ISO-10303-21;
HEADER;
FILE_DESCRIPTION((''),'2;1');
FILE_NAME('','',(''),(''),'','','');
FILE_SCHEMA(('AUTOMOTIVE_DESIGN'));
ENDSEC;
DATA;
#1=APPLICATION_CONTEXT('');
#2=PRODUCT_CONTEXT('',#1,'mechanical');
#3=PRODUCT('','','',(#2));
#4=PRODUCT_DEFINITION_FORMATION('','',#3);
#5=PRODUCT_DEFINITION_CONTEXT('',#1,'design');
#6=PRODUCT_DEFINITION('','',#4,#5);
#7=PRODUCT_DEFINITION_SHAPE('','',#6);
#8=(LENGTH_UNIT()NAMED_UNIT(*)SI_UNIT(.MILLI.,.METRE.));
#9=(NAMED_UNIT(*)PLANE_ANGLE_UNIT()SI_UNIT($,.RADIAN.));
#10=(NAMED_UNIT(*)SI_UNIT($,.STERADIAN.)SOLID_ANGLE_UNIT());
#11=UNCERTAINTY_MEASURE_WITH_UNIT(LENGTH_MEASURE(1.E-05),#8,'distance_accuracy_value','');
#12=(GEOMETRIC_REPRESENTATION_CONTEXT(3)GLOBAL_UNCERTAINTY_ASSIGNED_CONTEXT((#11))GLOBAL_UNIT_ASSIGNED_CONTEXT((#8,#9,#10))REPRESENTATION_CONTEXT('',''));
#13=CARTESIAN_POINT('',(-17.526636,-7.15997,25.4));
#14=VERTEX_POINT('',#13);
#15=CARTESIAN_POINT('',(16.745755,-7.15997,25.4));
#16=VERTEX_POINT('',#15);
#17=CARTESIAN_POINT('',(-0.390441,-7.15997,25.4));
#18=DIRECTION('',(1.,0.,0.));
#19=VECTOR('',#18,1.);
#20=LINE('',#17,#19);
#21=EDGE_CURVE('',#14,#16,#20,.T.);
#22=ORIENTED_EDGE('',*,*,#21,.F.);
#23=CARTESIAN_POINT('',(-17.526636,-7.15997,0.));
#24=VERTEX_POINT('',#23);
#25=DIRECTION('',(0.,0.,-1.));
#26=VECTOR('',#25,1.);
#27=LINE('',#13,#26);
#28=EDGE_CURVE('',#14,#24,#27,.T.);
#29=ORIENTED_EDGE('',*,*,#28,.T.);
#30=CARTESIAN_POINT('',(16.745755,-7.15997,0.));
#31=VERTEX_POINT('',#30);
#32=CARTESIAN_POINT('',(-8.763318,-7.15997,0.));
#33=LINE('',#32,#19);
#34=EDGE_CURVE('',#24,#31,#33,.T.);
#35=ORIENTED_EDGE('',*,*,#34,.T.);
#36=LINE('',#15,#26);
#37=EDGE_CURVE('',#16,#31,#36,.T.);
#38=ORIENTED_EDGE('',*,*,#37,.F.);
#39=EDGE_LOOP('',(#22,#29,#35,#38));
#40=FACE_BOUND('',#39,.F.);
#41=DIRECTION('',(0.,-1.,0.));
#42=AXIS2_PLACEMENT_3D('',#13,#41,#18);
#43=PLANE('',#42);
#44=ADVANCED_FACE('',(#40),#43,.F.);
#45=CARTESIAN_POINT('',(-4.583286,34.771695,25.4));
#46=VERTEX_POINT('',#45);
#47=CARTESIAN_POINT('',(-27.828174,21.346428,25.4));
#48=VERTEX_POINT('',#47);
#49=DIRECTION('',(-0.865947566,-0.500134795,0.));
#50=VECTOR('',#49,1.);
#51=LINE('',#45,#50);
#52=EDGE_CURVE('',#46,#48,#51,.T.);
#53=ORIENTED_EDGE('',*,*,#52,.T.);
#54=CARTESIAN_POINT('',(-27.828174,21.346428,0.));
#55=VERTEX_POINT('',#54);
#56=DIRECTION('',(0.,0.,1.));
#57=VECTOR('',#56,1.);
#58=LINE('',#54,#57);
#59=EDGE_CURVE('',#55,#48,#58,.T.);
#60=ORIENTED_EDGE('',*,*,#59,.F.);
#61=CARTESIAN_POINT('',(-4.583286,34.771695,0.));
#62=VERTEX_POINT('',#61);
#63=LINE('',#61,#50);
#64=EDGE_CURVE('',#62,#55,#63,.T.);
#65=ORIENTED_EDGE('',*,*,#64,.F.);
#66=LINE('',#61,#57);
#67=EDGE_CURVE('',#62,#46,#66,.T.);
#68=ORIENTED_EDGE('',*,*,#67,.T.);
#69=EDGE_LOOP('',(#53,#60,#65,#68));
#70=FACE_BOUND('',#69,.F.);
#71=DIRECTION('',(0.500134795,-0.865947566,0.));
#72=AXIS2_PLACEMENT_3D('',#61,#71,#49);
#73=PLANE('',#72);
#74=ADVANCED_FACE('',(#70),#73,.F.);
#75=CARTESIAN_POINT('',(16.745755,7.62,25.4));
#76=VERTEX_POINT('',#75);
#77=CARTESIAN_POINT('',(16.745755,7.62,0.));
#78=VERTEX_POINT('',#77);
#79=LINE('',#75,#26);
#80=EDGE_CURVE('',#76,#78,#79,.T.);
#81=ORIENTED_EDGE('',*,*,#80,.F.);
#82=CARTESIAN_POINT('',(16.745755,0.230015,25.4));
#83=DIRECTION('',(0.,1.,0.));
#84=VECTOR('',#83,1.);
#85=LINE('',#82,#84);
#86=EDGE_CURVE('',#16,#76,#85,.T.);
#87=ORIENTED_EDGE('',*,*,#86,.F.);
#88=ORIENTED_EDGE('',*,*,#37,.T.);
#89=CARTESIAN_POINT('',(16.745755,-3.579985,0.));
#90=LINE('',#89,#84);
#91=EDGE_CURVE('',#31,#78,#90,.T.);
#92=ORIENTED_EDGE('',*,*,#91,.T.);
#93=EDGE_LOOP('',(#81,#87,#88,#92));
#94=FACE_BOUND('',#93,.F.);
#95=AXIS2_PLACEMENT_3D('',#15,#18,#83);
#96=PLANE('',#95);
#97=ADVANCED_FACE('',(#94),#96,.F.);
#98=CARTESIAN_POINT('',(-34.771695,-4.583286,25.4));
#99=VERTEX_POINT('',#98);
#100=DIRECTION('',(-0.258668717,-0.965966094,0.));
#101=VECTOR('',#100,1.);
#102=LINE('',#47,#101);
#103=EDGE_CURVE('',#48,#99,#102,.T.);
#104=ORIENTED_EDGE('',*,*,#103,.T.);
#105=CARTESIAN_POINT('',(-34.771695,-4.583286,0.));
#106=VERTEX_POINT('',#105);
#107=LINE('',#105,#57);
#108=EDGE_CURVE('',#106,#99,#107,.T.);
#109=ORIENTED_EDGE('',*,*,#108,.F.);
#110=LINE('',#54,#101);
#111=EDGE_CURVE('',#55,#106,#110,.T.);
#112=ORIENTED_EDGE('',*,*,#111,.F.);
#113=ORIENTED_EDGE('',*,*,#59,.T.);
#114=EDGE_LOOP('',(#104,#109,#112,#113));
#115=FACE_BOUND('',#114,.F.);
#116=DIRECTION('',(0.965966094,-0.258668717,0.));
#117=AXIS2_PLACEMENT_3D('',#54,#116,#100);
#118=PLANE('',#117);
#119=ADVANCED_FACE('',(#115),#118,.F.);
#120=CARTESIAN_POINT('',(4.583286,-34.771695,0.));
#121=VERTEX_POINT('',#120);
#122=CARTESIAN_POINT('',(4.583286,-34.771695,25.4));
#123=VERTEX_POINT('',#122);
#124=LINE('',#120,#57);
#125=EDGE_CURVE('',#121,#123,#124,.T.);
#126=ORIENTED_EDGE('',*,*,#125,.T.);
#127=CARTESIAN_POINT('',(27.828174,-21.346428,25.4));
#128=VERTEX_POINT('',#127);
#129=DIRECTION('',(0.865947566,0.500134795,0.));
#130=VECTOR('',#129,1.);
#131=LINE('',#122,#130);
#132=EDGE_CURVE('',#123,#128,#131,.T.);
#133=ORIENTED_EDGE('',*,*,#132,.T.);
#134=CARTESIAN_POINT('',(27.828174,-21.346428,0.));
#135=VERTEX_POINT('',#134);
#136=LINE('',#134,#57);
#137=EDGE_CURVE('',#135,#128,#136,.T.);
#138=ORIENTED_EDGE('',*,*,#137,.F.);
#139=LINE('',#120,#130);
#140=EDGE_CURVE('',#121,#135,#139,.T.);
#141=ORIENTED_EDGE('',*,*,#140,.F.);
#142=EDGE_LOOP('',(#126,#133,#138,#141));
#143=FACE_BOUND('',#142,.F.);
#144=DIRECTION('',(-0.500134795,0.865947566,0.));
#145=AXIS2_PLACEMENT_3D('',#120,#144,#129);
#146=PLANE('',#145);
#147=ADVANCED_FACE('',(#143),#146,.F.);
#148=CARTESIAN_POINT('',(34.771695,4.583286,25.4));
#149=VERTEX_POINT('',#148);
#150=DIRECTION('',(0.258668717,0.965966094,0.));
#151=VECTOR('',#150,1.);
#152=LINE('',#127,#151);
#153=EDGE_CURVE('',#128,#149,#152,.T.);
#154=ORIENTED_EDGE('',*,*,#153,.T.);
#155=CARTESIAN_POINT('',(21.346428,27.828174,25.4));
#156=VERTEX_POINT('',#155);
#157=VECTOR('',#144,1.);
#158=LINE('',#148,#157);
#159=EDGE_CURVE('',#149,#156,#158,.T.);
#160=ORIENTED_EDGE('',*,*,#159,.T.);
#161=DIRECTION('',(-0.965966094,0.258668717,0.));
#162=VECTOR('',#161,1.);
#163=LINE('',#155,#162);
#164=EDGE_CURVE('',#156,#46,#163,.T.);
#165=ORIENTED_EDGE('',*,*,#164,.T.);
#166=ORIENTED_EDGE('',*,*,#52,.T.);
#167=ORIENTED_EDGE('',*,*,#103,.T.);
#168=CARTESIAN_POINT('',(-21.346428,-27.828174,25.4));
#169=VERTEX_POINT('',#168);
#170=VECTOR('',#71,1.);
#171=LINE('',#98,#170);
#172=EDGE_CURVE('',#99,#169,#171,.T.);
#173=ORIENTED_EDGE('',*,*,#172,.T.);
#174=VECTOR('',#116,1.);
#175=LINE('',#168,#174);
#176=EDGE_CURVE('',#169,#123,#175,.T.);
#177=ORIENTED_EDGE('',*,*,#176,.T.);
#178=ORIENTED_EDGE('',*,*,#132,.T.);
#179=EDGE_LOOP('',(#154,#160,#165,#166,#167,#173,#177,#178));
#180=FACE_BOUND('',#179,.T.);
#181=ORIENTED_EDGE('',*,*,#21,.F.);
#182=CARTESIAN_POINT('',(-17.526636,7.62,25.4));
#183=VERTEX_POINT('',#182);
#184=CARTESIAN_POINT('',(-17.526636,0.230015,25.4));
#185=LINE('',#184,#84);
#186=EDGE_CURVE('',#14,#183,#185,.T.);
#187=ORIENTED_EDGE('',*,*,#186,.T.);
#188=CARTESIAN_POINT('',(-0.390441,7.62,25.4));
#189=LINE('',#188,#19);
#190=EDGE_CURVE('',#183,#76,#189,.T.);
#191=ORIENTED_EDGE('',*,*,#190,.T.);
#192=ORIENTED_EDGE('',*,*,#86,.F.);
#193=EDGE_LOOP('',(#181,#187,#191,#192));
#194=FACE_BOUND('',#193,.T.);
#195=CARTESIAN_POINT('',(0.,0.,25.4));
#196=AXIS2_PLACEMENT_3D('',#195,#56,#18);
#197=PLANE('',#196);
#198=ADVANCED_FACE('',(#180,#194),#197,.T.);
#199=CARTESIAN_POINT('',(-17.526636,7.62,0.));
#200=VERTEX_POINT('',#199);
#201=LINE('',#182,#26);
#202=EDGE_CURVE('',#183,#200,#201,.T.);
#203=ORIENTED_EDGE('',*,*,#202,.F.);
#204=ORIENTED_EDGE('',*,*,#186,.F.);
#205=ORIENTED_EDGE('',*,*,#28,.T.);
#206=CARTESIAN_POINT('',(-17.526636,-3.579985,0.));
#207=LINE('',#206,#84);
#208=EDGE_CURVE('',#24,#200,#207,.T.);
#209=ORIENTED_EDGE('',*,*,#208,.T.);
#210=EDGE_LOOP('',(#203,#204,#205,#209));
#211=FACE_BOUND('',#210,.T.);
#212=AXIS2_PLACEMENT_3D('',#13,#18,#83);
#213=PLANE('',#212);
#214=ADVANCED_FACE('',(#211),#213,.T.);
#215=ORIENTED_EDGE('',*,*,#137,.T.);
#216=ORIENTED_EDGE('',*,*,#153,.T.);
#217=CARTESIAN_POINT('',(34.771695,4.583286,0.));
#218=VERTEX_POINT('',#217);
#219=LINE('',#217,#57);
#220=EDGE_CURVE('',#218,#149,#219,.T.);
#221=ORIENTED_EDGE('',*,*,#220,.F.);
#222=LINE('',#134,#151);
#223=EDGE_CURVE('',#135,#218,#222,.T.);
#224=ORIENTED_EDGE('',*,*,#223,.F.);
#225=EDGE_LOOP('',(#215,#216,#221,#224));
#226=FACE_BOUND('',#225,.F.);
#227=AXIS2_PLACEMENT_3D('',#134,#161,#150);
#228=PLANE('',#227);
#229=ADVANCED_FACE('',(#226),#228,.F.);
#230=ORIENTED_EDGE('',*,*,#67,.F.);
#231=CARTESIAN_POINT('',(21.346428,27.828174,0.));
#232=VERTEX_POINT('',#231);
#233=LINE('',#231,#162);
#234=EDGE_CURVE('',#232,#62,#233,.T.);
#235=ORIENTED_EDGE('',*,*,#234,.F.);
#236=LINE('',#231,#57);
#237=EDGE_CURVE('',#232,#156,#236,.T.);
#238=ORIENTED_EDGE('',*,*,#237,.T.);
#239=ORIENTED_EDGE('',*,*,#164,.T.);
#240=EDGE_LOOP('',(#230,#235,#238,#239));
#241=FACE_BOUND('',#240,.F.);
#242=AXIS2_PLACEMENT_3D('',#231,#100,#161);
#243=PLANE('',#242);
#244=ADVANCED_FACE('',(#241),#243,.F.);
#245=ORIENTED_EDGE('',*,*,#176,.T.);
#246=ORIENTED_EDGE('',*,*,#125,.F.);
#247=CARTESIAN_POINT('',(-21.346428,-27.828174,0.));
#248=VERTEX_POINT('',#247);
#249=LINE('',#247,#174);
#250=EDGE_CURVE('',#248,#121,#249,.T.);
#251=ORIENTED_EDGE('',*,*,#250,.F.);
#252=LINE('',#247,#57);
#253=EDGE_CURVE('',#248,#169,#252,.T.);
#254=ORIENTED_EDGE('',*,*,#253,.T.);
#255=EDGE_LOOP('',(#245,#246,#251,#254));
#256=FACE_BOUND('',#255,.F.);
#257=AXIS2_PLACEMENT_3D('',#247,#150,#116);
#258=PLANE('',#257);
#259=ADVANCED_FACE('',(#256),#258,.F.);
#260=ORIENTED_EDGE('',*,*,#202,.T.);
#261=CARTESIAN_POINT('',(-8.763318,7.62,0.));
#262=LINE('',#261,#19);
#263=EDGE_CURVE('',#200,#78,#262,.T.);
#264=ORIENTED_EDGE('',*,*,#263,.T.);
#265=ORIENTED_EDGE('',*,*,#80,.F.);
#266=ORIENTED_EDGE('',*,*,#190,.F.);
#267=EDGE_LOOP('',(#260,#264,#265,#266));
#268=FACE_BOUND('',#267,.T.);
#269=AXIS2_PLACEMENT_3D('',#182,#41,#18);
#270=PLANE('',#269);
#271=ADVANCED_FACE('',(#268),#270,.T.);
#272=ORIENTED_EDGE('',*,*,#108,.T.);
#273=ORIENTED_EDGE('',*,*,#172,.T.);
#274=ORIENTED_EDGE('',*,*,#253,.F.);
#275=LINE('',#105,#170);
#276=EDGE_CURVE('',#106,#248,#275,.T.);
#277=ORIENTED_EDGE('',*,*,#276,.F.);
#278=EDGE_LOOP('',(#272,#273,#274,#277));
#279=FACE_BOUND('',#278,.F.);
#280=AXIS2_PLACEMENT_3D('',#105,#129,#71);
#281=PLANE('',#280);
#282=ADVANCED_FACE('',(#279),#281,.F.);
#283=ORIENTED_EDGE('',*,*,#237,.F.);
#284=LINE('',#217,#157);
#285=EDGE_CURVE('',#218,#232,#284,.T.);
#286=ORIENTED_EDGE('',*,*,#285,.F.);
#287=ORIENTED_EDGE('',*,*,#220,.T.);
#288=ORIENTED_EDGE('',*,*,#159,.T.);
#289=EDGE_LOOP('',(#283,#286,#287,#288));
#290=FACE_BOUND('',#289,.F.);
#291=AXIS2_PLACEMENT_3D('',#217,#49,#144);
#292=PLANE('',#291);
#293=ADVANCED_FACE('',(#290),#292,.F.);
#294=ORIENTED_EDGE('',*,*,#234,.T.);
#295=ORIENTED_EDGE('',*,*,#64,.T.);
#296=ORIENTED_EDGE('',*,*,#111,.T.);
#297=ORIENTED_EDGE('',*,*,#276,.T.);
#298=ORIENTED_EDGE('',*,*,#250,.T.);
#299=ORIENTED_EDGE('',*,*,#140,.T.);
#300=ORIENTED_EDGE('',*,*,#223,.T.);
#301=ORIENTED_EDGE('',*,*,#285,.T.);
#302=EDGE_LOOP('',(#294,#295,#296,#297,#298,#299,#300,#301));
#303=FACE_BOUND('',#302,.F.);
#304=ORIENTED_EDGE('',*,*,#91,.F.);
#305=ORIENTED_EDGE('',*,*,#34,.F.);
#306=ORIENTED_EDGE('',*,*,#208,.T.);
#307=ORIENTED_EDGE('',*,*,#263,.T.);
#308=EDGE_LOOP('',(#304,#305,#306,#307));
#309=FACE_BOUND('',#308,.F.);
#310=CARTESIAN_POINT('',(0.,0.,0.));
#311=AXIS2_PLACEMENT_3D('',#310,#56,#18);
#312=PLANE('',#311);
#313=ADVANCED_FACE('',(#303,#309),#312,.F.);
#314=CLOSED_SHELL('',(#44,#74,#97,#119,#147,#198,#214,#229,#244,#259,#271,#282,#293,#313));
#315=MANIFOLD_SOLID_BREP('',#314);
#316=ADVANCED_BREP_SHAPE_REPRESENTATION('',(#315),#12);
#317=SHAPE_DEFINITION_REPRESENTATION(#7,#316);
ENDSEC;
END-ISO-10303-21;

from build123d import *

# Parameters (mm, degrees)
F1_DEPTH = 25.4
F2_W     = 34.272391
F2_H     = 14.77997
F3_DEPTH = 36.322


with BuildPart() as f1:
    # F0 (on Top) → F1 (new body)
    with BuildSketch(Plane.XY):
        Polygon((34.771695, 4.583286), (21.346428, 27.828174), (-4.583286, 34.771695), (-27.828174, 21.346428), (-34.771695, -4.583286), (-21.346428, -27.828174), (4.583286, -34.771695), (27.828174, -21.346428), align=None)
    extrude(amount=F1_DEPTH)

    # F2 (on face) → F3 (cut)
    with BuildSketch(Plane.XY.offset(25.4)):
        with Locations((-0.390441, 0.230015)):
            Rectangle(F2_W, F2_H)
    extrude(amount=-F3_DEPTH, mode=Mode.SUBTRACT)


solid = f1.part
